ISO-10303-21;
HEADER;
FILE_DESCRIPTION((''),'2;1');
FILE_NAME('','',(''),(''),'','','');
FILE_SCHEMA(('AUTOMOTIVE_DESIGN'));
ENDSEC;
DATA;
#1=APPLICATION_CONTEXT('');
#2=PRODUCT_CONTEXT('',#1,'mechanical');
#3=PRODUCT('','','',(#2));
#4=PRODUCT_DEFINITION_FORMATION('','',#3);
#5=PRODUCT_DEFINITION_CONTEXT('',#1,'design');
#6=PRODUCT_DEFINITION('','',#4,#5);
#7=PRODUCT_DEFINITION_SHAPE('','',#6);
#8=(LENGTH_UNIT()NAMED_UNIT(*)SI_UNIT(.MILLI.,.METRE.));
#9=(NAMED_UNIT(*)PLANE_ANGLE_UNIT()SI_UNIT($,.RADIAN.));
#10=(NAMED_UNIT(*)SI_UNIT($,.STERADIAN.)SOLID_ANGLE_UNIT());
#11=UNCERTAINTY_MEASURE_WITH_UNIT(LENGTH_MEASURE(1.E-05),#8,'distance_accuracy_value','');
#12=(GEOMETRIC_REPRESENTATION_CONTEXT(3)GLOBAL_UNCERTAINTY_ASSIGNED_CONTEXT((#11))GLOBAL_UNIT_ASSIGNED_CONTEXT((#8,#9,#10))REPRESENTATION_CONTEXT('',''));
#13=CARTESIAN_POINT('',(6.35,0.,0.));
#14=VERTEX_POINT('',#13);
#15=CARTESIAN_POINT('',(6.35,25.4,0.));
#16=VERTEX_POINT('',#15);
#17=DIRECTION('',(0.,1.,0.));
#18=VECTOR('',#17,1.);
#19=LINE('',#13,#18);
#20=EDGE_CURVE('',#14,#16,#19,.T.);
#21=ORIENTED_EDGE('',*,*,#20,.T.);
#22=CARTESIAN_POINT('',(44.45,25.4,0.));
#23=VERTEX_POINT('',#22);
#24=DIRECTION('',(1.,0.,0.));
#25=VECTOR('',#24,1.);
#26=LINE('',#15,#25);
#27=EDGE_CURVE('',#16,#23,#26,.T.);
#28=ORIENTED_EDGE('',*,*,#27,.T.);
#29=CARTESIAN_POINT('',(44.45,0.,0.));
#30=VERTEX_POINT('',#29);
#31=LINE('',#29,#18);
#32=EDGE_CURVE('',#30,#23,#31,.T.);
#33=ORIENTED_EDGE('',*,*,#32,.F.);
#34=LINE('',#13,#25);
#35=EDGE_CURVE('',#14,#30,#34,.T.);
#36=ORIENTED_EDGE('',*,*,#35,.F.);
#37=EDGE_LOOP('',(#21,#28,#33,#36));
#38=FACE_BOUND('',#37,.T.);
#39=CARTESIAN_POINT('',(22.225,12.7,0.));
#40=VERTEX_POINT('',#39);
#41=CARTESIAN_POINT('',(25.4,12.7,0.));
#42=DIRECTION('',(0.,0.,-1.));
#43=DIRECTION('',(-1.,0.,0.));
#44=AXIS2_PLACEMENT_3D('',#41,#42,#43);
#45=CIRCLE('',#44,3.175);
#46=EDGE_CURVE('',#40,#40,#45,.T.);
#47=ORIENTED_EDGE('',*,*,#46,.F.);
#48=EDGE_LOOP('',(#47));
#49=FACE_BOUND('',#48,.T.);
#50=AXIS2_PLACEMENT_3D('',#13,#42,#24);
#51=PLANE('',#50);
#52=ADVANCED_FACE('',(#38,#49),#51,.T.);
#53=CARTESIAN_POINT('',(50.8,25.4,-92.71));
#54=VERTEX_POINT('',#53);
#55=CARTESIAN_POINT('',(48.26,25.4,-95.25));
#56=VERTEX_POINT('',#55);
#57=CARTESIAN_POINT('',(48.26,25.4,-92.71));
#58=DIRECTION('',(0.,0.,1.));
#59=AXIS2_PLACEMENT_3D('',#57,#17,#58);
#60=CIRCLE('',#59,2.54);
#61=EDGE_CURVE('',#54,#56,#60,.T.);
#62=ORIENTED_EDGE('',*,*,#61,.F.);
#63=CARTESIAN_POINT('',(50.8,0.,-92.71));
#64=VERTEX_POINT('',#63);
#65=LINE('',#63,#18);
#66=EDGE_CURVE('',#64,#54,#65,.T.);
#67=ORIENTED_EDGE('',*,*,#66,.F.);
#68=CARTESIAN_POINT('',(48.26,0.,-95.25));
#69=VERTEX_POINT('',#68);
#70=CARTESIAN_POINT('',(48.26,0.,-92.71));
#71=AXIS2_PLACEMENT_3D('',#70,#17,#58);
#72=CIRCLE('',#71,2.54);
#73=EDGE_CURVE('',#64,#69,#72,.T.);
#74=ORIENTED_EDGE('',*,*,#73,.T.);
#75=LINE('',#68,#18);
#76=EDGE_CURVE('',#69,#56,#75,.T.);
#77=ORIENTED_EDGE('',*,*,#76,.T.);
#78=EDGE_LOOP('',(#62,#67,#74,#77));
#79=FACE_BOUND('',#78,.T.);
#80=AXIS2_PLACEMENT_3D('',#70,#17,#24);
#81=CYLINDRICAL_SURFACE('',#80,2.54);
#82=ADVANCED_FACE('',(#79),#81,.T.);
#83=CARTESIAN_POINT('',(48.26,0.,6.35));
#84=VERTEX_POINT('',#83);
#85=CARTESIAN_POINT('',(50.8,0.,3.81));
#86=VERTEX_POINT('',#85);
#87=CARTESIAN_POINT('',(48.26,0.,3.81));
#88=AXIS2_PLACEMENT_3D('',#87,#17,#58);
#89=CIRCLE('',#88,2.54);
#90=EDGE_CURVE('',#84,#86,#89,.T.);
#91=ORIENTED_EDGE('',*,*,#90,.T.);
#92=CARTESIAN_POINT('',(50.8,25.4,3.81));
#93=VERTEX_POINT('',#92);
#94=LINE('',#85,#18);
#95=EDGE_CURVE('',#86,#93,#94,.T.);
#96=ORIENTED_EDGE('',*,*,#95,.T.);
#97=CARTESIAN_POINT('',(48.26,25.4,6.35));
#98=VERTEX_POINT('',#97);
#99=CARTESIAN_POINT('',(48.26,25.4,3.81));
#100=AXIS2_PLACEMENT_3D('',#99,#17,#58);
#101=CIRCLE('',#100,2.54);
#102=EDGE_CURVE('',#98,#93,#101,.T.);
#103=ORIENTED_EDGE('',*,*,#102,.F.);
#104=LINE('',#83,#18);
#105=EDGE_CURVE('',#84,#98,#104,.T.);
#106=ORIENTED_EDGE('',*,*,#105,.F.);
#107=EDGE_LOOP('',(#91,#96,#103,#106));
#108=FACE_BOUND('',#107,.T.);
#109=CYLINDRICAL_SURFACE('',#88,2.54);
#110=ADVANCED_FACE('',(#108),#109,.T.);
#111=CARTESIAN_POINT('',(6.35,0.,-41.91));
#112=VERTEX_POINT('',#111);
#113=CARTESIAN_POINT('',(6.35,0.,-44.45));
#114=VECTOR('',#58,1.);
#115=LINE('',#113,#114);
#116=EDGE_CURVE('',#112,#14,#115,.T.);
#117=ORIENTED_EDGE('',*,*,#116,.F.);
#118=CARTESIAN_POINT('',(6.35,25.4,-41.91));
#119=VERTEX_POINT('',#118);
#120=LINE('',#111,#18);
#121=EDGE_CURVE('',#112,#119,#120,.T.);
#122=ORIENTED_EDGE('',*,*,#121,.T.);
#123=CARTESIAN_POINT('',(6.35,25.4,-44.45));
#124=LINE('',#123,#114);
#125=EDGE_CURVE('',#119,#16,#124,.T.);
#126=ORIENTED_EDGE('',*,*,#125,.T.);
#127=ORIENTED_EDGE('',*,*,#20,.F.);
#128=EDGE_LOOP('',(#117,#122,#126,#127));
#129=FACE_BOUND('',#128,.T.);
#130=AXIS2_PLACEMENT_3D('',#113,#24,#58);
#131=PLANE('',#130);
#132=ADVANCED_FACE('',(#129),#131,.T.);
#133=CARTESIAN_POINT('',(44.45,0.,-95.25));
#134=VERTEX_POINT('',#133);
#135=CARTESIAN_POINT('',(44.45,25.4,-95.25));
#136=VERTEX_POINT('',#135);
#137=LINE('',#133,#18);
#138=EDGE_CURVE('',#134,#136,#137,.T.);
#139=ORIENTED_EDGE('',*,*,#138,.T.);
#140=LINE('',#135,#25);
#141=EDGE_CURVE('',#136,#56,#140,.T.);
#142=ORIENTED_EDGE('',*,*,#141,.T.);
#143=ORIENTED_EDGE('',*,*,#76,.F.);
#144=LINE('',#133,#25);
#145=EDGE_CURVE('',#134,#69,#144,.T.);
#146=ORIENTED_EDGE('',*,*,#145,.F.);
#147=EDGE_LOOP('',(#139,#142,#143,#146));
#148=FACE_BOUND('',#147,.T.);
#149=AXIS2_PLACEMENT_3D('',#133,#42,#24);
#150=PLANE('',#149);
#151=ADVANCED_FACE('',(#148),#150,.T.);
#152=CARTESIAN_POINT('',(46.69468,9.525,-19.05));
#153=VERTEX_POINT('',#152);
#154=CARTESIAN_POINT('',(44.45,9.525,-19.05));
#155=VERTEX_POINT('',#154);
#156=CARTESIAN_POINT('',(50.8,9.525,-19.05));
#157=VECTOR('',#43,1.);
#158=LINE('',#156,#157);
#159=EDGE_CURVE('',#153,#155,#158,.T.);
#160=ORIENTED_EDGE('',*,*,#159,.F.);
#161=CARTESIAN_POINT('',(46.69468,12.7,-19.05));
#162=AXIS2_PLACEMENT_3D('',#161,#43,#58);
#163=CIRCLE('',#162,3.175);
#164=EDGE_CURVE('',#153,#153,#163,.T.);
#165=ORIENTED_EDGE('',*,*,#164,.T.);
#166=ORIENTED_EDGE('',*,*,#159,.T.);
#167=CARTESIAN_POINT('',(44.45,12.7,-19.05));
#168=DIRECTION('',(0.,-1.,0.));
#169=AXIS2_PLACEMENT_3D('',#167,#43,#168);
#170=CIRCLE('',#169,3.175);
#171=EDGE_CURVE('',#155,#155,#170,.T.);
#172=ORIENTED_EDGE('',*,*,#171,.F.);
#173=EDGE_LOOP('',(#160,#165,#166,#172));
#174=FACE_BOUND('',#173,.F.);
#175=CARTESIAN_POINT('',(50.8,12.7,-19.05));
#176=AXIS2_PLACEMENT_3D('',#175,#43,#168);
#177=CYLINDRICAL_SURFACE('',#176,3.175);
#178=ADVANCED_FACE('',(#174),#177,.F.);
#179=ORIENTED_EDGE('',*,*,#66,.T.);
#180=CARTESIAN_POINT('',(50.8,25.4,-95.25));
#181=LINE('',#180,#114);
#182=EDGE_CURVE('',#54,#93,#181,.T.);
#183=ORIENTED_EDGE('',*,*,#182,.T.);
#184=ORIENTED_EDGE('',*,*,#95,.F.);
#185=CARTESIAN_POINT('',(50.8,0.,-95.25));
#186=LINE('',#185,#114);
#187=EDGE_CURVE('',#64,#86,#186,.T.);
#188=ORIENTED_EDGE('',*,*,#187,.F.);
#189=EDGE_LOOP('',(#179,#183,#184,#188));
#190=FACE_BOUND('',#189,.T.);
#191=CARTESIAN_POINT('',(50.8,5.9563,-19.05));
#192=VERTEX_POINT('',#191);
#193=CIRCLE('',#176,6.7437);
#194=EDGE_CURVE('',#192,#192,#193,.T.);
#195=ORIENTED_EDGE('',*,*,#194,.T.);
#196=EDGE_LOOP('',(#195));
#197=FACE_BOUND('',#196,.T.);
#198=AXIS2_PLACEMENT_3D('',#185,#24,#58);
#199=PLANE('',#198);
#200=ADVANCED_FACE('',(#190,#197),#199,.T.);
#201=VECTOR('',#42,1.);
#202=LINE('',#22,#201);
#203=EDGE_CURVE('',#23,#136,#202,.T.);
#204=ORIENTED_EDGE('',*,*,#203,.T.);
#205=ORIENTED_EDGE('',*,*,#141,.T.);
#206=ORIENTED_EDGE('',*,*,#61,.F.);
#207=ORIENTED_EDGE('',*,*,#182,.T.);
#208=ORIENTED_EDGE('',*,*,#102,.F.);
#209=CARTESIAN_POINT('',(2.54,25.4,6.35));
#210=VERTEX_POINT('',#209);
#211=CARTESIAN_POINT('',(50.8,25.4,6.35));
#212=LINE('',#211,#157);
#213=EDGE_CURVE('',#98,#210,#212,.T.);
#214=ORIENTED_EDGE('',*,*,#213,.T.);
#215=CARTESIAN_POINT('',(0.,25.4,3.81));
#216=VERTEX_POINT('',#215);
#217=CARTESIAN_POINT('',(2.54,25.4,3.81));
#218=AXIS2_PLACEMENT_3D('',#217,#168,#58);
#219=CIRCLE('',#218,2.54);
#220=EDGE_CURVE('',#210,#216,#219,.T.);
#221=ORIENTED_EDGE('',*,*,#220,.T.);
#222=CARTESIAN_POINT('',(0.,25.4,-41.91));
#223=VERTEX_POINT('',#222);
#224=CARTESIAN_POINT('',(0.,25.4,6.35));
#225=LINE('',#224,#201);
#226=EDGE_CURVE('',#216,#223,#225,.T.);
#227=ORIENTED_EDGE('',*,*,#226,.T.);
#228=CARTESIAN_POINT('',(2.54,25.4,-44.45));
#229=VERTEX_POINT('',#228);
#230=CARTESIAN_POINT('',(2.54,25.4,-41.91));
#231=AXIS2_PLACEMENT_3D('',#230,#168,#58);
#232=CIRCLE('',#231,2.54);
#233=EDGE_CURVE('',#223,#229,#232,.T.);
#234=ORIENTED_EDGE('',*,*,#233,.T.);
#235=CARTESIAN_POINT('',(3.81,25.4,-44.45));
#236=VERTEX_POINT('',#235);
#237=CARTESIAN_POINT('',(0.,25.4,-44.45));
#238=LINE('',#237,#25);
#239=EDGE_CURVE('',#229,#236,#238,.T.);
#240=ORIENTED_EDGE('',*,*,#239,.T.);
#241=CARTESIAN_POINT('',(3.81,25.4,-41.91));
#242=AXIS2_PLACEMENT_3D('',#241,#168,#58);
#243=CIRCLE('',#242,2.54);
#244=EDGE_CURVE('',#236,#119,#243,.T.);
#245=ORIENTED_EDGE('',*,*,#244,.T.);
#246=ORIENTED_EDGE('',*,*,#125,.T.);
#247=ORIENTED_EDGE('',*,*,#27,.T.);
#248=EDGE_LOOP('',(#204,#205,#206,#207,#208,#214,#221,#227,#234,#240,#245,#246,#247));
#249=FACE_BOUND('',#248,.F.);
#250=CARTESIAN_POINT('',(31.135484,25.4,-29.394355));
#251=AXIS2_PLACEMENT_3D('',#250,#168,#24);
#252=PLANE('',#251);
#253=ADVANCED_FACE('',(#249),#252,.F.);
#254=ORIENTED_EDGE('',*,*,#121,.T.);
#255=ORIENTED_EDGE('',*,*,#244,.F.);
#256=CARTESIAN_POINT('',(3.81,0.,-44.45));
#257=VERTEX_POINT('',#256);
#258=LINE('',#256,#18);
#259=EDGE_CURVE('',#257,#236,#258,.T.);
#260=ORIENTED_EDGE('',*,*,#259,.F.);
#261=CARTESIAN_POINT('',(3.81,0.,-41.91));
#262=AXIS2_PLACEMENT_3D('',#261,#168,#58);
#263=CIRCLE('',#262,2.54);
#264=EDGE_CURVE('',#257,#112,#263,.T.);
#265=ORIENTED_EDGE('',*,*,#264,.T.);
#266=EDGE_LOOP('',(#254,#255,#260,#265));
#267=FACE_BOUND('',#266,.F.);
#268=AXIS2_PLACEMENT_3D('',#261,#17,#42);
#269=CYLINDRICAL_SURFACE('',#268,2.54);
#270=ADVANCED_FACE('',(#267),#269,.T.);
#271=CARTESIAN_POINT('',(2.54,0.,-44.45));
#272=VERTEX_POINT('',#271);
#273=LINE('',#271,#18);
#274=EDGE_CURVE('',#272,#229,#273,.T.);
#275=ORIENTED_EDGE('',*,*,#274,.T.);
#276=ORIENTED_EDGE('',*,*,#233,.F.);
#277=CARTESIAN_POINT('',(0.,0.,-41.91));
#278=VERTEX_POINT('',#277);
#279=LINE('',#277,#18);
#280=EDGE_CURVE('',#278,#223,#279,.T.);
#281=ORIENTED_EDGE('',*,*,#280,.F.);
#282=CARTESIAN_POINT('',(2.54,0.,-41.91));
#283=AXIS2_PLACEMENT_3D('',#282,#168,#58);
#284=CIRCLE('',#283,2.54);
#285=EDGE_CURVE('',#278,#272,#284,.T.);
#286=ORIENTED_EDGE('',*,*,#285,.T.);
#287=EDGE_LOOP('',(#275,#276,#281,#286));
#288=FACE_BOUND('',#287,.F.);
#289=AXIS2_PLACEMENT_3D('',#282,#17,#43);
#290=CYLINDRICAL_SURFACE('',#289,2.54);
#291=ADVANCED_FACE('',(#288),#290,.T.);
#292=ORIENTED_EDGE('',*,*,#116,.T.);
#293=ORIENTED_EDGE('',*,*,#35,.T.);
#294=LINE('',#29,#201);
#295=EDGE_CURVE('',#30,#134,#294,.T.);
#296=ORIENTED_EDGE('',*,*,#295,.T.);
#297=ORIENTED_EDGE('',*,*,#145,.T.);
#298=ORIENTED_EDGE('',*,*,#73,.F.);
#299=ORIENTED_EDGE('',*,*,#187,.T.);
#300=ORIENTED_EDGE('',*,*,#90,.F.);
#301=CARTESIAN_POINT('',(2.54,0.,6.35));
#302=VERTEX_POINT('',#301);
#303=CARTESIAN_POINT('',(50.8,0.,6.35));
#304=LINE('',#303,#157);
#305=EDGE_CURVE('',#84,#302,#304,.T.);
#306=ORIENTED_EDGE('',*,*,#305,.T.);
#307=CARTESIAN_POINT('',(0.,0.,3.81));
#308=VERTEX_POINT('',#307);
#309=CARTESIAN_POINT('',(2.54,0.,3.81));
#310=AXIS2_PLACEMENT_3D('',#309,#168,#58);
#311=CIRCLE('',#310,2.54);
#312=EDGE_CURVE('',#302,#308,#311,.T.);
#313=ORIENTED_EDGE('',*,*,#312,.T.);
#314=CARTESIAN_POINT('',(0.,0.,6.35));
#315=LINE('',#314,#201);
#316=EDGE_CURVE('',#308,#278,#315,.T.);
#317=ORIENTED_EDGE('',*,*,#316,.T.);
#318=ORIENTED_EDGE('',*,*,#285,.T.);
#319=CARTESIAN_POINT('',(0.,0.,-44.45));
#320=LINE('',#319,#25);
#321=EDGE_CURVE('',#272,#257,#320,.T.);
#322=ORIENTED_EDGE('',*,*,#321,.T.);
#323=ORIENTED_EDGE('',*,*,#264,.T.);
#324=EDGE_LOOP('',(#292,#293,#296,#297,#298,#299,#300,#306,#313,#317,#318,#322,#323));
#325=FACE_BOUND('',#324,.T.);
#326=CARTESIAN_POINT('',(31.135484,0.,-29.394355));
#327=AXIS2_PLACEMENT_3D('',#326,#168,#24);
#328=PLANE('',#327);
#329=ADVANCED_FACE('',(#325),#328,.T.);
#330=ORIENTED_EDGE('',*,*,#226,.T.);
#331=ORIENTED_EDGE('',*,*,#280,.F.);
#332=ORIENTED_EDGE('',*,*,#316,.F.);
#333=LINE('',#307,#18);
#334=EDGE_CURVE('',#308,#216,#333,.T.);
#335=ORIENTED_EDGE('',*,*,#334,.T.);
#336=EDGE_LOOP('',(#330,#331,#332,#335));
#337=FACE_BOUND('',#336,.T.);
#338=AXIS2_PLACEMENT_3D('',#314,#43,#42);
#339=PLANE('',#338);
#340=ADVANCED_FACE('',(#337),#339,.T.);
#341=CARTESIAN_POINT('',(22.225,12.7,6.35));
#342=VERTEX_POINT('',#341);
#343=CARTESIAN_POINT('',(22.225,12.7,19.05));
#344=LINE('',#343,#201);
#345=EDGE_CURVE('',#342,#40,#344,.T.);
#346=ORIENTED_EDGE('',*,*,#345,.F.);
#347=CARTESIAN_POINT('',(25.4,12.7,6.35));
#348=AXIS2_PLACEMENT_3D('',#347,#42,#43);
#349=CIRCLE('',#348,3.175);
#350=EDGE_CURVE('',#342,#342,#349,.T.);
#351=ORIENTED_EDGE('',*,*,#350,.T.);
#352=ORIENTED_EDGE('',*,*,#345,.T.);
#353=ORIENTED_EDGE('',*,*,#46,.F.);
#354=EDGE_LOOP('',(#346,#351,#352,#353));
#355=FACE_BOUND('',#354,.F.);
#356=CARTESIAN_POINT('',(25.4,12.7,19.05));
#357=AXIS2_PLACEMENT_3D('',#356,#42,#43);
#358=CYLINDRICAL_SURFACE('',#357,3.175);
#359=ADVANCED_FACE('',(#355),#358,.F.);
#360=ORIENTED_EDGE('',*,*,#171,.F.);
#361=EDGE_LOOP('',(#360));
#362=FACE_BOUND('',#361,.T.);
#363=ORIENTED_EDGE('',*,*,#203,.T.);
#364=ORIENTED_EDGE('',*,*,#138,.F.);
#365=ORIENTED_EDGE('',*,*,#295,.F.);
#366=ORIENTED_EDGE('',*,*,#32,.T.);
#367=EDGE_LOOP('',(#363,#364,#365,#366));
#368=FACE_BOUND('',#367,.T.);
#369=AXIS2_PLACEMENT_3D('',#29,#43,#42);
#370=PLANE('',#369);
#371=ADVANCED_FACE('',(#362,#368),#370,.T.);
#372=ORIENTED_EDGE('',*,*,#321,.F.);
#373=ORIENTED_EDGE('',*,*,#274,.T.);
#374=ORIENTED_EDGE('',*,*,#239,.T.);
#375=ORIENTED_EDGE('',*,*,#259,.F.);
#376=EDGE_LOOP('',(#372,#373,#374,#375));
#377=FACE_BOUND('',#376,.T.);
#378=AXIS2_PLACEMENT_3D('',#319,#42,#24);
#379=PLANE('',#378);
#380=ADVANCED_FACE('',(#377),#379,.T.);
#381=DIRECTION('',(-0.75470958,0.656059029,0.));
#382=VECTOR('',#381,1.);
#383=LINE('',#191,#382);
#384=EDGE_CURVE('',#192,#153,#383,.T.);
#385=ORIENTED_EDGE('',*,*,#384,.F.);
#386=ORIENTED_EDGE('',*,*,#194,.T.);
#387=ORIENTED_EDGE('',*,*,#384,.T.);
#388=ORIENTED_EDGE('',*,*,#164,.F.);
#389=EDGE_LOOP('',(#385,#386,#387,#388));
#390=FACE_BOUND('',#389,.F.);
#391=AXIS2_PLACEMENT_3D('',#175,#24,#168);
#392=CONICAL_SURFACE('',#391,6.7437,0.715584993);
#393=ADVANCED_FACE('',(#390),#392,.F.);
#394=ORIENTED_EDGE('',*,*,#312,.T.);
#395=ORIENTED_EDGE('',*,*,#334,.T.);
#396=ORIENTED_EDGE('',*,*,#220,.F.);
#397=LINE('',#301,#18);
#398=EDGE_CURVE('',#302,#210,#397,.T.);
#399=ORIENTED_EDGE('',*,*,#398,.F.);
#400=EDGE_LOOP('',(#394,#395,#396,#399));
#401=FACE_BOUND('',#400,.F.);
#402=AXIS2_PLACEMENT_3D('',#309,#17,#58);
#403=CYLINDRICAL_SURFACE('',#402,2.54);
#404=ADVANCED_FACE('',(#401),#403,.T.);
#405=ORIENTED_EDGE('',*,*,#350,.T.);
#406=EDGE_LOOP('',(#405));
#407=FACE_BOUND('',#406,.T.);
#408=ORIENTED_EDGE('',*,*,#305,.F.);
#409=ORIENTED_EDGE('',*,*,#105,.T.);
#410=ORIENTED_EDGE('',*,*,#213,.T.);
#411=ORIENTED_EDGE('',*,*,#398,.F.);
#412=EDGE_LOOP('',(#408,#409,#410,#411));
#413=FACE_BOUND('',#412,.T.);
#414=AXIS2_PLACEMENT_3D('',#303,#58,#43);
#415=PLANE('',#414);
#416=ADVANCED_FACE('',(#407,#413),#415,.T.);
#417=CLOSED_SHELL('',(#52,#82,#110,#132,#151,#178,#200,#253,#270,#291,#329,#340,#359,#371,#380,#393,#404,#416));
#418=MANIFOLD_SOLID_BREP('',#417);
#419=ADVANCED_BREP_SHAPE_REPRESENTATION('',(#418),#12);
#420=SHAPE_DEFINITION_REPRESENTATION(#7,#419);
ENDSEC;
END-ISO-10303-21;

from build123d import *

# Parameters (mm, degrees)
F1_DEPTH       = 25.4
F4_D           = 6.35
F4_DEPTH       = 12.7
F4_CSINK_D     = 13.4874
F4_CSINK_ANGLE = 82
F5_D           = 6.35
F5_DEPTH       = 12.7
F6_R           = 2.54
F7_R           = 2.54


with BuildPart() as f1:
    # F0 (on Front) → F1 (new body)
    with BuildSketch(Plane.XZ):
        Polygon((50.8, 6.35), (0, 6.35), (0, -44.45), (6.35, -44.45), (6.35, 0), (44.45, 0), (44.45, -95.25), (50.8, -95.25), align=None)
    extrude(amount=-F1_DEPTH)

    # F4
    with Locations(Plane.YZ.offset(50.8)):
        with Locations((12.7, -19.05)):
            CounterSinkHole(F4_D / 2, F4_CSINK_D / 2, depth=F4_DEPTH, counter_sink_angle=F4_CSINK_ANGLE)

    # F5
    with Locations(Plane.XY.offset(6.35)):
        with Locations((25.4, 12.7)):
            Hole(F5_D / 2, depth=F5_DEPTH)

    # F6
    f6_edges = [f1.edges().sort_by_distance(p)[0] for p in [
        (0, 12.7, 6.35),
        (50.8, 12.7, 6.35),
    ]]
    fillet(f6_edges, radius=F6_R)

    # F7
    f7_edges = [f1.edges().sort_by_distance(p)[0] for p in [
        (50.8, 12.7, -95.25),
        (6.35, 12.7, -44.45),
        (0, 12.7, -44.45),
    ]]
    fillet(f7_edges, radius=F7_R)


solid = f1.part
